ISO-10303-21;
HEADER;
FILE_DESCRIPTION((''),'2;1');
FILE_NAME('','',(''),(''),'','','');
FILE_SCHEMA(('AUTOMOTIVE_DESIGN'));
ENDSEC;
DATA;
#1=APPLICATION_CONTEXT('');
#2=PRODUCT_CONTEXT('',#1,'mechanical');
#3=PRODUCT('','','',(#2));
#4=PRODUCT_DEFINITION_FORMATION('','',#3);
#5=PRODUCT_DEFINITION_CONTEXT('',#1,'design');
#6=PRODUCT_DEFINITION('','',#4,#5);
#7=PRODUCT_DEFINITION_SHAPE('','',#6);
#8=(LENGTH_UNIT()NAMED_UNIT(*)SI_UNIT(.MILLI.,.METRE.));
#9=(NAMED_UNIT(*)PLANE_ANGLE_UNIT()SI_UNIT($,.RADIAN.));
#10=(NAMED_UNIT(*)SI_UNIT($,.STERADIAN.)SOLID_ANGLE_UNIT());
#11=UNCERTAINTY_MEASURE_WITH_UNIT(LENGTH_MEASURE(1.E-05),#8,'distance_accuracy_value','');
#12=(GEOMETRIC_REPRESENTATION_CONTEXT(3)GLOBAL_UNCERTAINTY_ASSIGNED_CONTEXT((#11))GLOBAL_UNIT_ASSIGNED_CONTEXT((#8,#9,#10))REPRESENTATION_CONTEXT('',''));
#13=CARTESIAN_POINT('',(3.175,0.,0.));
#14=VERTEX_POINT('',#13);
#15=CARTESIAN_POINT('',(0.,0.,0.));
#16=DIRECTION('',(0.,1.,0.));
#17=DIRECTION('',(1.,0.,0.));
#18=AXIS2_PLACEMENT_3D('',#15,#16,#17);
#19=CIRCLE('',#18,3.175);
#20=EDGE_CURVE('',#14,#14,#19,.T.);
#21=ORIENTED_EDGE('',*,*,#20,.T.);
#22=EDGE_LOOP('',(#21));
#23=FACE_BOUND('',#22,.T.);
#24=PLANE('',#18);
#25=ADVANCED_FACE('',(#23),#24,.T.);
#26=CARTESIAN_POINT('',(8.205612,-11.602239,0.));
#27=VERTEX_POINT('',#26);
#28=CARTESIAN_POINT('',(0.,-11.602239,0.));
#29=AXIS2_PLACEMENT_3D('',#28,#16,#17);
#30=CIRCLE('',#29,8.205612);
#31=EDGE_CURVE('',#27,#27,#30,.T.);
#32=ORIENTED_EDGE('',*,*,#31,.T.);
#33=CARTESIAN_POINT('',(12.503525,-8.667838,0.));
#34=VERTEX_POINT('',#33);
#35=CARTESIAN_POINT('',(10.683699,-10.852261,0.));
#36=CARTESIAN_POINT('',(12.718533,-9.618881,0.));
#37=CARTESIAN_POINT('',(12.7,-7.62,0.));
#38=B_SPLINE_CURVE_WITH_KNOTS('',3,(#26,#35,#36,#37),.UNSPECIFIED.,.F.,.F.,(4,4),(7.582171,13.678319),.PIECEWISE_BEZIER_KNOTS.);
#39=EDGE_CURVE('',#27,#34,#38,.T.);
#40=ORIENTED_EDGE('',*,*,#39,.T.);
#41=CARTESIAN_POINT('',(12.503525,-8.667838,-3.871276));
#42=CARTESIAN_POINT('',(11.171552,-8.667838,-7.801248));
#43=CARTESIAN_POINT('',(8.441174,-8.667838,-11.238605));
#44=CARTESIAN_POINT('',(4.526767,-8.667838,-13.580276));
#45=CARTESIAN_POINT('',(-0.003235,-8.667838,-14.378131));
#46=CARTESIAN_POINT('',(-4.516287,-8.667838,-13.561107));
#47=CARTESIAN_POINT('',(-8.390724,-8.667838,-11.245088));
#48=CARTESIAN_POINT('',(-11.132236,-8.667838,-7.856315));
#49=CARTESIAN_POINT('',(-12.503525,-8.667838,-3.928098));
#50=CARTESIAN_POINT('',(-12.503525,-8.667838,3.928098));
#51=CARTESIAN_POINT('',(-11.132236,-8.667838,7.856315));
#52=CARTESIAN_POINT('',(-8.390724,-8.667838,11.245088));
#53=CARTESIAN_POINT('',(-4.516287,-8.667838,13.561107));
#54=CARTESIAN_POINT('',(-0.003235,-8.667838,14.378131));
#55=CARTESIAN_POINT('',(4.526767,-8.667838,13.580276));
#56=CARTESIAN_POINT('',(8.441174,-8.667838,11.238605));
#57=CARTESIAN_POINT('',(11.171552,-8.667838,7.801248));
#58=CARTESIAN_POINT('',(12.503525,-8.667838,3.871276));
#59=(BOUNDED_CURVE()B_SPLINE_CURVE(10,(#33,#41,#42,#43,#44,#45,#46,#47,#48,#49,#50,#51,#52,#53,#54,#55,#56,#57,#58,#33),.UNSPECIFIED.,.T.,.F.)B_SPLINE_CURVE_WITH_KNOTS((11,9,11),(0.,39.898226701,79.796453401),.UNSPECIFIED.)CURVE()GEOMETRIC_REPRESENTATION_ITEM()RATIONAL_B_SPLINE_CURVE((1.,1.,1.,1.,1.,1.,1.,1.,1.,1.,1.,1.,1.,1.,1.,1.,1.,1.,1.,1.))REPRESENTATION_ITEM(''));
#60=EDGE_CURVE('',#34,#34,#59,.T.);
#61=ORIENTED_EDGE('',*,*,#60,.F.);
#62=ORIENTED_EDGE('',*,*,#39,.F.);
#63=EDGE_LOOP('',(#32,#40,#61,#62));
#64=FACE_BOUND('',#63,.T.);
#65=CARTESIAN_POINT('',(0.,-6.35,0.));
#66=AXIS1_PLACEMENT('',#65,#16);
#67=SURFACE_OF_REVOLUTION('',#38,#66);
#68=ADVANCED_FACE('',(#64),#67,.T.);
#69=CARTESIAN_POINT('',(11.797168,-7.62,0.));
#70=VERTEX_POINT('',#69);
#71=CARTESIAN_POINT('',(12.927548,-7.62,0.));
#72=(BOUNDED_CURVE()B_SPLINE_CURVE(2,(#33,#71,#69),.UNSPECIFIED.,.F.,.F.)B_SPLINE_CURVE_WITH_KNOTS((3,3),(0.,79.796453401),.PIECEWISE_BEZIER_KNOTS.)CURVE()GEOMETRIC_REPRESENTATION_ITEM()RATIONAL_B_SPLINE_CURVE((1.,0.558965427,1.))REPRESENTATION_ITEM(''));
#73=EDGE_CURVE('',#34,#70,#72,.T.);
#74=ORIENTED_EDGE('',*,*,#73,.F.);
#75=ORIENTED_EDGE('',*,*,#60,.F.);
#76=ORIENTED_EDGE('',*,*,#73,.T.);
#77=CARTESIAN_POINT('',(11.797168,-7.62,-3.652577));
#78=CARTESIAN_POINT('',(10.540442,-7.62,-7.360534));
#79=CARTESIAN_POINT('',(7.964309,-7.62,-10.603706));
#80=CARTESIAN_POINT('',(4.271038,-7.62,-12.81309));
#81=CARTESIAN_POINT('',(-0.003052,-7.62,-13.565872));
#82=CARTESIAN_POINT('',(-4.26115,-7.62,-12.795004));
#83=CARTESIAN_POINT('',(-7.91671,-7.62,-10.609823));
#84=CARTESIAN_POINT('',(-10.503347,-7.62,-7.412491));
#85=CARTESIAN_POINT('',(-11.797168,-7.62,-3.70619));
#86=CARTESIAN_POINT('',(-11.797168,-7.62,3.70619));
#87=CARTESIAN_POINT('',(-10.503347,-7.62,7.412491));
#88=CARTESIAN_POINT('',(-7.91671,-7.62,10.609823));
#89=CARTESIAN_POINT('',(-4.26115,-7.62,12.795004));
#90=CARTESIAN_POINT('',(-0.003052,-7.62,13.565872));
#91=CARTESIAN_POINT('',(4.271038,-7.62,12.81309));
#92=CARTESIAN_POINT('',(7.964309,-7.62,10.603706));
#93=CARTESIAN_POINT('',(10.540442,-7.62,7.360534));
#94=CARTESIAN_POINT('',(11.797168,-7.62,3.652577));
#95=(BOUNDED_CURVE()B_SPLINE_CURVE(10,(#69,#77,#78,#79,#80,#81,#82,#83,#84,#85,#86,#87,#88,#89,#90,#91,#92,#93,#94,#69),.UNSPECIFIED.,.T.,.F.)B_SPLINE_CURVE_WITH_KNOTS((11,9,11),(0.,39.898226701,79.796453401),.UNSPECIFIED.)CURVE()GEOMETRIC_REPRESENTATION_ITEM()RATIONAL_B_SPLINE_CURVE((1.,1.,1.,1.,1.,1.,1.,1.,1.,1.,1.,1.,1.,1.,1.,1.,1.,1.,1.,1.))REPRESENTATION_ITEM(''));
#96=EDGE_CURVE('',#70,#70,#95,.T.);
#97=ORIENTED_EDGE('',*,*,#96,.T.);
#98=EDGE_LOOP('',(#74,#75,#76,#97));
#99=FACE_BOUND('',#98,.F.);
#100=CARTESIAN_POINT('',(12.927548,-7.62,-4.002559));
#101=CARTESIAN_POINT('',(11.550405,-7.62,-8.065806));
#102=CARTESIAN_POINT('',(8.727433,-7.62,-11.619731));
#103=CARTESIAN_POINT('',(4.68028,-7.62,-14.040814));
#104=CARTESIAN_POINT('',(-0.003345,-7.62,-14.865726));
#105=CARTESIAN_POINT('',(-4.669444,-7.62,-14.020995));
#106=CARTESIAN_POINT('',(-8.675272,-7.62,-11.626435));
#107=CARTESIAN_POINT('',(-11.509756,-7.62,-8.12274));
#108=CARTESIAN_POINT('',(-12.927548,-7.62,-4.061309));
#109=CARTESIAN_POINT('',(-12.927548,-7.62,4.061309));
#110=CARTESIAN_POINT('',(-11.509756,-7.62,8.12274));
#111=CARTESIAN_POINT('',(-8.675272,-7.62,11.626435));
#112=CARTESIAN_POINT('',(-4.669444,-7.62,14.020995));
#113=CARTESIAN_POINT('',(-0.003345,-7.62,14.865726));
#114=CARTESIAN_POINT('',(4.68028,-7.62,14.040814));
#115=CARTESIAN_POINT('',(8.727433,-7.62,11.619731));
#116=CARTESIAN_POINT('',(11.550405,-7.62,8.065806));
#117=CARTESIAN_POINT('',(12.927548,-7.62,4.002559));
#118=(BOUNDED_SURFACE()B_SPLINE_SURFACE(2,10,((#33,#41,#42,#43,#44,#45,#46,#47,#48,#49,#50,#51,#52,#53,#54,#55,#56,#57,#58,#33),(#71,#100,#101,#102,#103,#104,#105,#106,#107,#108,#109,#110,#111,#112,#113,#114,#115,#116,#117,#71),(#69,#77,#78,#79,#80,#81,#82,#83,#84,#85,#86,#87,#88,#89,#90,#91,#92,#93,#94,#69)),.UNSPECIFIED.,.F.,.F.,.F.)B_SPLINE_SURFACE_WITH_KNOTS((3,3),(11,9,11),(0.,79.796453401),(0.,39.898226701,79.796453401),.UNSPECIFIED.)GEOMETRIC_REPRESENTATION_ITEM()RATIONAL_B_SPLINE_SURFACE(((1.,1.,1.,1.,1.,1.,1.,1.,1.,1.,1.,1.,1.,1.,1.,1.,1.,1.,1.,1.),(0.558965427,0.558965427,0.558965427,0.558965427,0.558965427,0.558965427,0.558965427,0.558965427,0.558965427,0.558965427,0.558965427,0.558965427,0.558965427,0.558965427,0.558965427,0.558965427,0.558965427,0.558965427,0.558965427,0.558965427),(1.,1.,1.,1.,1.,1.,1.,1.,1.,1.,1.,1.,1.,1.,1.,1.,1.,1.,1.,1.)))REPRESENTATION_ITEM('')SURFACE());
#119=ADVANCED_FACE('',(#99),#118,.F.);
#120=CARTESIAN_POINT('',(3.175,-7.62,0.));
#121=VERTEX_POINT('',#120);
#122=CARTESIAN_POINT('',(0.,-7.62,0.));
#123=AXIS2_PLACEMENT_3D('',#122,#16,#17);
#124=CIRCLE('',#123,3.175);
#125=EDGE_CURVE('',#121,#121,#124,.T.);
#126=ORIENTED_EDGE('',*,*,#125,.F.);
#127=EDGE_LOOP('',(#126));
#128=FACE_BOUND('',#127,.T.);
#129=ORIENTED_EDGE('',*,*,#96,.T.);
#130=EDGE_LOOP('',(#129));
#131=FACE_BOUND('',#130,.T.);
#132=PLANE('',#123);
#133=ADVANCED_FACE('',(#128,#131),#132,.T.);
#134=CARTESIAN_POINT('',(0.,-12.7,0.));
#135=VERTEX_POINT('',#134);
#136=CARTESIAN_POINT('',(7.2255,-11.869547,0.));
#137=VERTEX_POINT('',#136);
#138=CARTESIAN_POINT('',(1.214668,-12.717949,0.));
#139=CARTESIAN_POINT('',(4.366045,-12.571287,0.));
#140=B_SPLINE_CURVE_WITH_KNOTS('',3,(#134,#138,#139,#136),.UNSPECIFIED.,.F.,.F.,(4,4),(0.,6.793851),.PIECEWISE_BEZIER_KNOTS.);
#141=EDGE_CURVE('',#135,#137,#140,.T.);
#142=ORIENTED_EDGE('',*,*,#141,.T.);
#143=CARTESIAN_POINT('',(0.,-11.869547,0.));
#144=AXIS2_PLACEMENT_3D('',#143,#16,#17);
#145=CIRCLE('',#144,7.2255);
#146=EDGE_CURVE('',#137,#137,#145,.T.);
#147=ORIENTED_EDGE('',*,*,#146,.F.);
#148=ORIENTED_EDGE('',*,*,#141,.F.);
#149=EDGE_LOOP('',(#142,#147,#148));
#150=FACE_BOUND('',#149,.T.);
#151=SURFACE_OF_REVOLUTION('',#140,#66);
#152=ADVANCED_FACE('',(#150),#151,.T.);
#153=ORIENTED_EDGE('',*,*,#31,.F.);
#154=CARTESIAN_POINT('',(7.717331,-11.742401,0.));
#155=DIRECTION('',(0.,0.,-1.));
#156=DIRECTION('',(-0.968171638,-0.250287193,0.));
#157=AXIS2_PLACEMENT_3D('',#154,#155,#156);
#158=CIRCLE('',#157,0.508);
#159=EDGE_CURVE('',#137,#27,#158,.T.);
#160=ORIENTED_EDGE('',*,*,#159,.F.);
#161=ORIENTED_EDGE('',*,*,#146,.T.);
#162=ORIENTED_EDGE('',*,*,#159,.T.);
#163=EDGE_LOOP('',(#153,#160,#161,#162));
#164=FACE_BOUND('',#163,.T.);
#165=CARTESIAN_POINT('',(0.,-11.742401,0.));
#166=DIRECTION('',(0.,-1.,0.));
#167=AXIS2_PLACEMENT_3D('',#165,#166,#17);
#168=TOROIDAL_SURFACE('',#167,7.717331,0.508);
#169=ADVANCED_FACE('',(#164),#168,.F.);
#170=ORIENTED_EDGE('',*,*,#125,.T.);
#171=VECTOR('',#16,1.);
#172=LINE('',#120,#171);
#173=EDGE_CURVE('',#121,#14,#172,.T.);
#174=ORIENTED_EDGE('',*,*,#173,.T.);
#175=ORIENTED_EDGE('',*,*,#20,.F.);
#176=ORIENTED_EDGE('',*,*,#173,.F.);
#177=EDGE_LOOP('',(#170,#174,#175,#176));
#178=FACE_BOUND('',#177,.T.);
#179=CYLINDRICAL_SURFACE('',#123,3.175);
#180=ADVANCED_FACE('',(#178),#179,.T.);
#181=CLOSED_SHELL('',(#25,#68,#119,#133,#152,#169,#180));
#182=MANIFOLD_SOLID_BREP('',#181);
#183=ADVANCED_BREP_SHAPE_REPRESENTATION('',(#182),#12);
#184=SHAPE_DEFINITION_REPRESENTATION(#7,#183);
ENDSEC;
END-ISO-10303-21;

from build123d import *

# Parameters (mm, degrees)
F2_R = 0.762


with BuildPart() as f1:
    # F0 (on Top) → F1 (revolve)
    with BuildSketch(Plane.XY):
        with BuildLine():
            Line((3.175, 0), (0, 0))
            Line((0, 0), (0, -12.7))
            add(Edge.make_bspline(
                [(0, -12.7), (1.214668, -12.717949), (4.366045, -12.571287), (7.2255, -11.869547)],
                knots=[0, 0, 0, 0, 6.793851, 6.793851, 6.793851, 6.793851], degree=3))
            ThreePointArc((7.2255, -11.869547), (7.583665, -11.252302), (8.205612, -11.602239))
            add(Edge.make_bspline(
                [(8.205612, -11.602239), (10.683699, -10.852261), (12.718533, -9.618881), (12.7, -7.62)],
                knots=[7.582171, 7.582171, 7.582171, 7.582171, 13.678319, 13.678319, 13.678319, 13.678319], degree=3))
            Line((12.7, -7.62), (3.175, -7.62))
            Line((3.175, -7.62), (3.175, 0))
        make_face()
    revolve(axis=Axis((0, -6.35, 0), (0, 1, 0)))

    # F2
    f2_edges = [f1.edges().sort_by_distance(p)[0] for p in [
        (-12.7, -7.62, 0),
    ]]
    fillet(f2_edges, radius=F2_R)


solid = f1.part
